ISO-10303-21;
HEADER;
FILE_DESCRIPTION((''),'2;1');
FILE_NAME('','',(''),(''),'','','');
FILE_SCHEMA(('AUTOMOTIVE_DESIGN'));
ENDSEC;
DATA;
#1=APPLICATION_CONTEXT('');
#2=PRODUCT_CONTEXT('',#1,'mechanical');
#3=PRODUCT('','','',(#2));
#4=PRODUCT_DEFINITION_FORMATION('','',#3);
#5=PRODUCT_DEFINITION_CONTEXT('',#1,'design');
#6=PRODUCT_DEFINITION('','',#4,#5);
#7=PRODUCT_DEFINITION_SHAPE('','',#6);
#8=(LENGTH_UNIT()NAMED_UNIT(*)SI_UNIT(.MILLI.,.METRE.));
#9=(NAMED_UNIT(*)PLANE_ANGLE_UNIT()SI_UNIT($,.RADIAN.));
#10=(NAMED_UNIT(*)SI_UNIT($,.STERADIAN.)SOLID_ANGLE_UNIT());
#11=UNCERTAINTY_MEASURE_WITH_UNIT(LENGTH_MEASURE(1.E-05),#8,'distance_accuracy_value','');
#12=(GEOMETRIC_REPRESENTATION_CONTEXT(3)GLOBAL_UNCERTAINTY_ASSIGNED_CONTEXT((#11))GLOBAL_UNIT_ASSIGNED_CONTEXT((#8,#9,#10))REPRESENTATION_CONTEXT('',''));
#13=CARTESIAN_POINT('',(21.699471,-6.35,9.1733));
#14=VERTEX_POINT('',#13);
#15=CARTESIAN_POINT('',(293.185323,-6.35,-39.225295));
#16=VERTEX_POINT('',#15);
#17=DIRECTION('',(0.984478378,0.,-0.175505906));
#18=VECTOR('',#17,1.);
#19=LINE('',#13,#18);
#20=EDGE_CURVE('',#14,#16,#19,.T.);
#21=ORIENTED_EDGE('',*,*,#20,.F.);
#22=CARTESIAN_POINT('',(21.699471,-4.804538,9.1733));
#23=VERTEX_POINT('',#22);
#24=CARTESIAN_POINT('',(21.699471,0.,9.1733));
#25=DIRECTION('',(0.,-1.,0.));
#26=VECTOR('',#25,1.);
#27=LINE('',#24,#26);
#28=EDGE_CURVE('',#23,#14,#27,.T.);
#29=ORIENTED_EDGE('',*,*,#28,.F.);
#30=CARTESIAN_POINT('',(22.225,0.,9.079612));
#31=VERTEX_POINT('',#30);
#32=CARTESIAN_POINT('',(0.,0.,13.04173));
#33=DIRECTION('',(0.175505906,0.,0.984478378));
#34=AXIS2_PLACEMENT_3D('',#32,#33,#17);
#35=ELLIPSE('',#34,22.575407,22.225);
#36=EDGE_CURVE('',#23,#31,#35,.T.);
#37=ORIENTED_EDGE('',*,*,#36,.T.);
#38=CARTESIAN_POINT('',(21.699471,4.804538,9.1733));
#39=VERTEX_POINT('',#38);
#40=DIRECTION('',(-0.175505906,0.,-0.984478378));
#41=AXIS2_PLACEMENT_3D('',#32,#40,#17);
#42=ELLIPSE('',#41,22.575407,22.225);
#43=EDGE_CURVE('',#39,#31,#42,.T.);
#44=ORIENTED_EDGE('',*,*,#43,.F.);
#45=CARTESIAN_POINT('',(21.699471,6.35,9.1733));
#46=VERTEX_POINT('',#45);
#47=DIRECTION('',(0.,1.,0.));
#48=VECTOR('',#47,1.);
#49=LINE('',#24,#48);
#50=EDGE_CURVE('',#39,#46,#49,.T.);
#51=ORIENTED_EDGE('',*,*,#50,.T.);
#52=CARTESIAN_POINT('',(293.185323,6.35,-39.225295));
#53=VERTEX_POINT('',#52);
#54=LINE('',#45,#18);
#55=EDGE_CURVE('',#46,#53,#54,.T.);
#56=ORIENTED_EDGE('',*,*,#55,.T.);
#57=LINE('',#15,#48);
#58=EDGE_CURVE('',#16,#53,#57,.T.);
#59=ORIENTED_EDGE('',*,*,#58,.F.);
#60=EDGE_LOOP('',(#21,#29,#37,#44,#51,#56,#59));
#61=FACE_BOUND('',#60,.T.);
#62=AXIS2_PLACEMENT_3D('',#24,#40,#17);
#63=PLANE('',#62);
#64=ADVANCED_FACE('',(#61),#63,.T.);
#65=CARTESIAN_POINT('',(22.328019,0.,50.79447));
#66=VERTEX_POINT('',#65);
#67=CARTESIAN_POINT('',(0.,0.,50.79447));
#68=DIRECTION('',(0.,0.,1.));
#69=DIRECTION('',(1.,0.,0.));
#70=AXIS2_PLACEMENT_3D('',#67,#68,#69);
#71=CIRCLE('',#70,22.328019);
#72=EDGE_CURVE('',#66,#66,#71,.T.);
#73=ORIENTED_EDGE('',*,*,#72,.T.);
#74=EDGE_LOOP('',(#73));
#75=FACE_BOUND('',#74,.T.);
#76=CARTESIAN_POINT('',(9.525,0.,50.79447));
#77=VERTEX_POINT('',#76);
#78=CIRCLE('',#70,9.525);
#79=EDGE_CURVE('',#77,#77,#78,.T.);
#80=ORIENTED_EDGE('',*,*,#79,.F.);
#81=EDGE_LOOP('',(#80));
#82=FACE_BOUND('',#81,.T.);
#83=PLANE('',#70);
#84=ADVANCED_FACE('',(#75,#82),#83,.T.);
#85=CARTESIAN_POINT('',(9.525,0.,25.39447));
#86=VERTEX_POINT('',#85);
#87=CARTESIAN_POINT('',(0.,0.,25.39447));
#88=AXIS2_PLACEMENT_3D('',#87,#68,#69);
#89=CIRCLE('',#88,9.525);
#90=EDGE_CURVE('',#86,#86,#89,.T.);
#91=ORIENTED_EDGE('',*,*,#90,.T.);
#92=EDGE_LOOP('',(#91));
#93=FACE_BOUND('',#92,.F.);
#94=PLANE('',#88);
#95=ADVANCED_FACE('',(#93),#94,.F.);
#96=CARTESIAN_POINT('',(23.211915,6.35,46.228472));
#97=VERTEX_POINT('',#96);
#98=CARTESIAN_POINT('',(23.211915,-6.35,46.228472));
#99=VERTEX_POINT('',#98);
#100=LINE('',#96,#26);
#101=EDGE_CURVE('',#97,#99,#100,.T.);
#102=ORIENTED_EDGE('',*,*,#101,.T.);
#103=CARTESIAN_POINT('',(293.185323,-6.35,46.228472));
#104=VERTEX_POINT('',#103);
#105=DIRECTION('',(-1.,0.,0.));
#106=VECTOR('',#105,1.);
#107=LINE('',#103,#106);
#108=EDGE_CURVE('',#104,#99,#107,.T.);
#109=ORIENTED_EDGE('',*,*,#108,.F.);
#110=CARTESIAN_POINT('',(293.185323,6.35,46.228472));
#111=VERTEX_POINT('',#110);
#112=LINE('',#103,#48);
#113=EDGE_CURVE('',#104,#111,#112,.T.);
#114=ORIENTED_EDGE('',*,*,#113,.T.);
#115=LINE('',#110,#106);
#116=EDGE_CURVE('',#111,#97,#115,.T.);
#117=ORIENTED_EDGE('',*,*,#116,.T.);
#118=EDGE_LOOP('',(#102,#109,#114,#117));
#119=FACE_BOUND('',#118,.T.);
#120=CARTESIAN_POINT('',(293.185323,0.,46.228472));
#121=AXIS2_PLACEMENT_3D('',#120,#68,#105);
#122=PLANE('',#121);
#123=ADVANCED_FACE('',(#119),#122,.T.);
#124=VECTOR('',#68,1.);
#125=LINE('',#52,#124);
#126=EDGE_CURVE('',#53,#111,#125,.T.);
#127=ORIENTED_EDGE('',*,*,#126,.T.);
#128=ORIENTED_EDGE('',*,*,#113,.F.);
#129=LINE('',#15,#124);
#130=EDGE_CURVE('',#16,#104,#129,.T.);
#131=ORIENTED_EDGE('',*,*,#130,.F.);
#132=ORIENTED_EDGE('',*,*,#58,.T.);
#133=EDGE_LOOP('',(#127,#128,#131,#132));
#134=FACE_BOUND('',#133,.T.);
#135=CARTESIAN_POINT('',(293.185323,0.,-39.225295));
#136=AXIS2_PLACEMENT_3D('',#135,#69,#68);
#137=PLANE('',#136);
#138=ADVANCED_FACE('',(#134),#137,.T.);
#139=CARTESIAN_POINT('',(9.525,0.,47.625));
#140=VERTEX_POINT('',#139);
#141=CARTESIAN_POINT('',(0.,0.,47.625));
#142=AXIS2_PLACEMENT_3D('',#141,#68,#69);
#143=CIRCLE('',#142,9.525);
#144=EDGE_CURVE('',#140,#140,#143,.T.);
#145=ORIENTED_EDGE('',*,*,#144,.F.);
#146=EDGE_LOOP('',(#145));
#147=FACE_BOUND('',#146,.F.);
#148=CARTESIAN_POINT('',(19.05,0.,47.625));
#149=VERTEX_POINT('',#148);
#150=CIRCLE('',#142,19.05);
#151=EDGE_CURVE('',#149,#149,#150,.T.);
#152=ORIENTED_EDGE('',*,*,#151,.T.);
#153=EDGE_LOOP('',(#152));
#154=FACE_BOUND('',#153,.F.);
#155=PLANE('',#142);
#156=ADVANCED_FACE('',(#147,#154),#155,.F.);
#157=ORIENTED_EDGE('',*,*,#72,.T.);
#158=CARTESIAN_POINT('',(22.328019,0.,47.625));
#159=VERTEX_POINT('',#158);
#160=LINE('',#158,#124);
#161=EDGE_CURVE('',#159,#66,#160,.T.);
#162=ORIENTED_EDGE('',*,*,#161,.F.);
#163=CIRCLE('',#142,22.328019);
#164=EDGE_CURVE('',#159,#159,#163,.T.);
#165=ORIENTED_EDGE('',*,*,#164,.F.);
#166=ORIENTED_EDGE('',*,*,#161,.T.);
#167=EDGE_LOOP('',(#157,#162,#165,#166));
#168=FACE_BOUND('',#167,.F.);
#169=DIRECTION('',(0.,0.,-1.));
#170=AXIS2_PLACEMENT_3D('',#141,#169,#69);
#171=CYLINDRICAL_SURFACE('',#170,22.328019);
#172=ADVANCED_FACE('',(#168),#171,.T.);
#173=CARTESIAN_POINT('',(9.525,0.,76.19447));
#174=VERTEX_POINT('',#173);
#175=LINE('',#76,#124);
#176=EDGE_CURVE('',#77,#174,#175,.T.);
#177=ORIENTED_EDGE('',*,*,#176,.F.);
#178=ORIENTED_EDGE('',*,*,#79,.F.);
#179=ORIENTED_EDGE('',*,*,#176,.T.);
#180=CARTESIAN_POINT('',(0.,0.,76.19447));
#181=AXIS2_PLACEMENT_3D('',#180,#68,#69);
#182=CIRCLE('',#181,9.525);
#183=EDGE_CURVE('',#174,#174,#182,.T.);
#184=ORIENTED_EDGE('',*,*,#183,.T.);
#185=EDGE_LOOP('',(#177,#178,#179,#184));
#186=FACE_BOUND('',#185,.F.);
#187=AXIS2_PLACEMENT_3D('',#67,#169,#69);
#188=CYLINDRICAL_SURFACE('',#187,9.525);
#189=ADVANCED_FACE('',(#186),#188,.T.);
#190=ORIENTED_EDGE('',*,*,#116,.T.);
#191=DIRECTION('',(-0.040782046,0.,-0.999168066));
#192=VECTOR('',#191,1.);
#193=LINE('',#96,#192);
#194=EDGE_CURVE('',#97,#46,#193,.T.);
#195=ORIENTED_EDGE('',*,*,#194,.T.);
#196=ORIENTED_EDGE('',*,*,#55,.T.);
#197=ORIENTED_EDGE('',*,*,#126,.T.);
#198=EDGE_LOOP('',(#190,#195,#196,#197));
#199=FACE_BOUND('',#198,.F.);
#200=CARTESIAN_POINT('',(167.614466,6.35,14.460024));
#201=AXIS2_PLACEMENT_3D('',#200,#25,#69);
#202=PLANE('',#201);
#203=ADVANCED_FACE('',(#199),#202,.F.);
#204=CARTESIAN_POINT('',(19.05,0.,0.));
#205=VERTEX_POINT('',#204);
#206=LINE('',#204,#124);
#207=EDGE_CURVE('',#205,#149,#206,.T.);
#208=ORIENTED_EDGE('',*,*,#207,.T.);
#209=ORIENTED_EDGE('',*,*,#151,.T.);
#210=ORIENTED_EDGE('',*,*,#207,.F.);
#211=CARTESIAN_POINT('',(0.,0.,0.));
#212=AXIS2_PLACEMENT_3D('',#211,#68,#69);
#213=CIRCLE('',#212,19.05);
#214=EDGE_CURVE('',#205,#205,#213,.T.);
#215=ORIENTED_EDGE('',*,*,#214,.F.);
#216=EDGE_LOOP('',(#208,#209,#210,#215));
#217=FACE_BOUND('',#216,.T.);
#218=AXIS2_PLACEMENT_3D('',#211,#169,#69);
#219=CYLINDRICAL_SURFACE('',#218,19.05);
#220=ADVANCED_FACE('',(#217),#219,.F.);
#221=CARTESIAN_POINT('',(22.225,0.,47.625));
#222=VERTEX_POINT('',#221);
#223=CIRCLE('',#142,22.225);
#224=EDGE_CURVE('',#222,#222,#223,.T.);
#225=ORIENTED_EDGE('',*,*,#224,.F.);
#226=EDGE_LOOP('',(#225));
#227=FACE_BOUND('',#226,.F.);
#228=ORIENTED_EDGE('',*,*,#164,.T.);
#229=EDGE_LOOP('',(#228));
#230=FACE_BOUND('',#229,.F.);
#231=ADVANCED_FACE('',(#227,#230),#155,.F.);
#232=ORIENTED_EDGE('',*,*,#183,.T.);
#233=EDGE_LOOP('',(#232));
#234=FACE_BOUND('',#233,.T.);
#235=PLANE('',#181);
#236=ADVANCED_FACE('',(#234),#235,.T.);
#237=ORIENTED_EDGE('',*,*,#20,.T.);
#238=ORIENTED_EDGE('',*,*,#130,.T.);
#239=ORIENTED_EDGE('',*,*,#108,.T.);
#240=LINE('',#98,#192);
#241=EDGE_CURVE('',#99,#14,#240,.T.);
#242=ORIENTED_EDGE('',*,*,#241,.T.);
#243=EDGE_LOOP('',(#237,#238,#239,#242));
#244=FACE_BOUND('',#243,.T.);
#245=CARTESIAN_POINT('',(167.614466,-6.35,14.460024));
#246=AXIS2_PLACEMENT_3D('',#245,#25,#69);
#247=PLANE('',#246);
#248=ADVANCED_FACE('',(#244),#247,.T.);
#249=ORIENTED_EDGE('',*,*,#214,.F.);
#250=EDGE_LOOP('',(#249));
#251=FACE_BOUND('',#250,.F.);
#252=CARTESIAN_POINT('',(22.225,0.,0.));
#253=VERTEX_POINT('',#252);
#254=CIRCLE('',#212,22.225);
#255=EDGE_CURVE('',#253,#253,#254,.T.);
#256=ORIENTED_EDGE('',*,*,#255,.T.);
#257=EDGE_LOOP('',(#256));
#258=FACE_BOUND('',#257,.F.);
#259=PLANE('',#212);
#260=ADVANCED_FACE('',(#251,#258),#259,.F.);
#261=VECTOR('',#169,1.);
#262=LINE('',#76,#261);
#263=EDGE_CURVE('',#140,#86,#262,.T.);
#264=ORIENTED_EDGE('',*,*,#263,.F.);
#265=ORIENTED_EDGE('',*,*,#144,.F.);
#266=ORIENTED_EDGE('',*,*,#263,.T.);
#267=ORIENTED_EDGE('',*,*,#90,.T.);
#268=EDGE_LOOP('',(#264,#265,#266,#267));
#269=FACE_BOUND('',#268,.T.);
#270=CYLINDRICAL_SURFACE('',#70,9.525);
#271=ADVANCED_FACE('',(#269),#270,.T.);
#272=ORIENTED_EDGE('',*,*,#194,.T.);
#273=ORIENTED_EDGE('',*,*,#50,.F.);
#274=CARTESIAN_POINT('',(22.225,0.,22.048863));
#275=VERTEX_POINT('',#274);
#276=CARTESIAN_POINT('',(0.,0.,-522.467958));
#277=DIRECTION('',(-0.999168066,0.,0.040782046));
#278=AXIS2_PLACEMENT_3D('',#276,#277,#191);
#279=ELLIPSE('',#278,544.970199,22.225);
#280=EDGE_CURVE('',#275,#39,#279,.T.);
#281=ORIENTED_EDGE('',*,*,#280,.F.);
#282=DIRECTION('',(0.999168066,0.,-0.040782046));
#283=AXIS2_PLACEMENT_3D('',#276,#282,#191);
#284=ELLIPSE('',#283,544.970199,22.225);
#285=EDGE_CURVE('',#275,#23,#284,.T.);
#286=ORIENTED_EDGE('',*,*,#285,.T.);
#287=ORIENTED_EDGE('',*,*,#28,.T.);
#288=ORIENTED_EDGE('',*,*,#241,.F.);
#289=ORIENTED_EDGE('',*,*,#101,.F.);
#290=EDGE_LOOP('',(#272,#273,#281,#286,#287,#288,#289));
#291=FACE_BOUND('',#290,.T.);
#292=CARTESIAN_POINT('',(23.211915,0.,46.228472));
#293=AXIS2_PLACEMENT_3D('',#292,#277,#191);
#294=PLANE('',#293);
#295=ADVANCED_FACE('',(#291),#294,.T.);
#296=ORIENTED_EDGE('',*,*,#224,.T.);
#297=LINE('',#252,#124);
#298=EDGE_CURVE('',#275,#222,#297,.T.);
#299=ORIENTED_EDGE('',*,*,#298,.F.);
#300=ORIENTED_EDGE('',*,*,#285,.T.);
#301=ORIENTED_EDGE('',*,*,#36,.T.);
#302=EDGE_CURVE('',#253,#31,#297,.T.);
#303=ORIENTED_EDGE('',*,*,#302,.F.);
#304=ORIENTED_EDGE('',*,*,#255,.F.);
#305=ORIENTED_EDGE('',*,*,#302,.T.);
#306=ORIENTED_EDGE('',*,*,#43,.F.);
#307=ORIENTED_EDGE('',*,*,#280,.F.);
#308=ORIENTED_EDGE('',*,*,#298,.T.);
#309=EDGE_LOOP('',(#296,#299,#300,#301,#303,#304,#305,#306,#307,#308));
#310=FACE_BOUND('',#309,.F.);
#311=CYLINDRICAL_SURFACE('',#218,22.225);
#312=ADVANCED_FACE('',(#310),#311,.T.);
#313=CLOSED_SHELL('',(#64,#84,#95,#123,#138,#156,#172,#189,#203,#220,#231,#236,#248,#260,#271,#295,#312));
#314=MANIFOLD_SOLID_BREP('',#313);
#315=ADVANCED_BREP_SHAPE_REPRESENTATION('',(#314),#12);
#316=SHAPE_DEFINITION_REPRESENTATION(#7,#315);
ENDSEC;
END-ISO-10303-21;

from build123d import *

# Parameters (mm, degrees)
F0_R          = 22.225
F0_R_2        = 19.05
F1_DEPTH      = 47.625
F2_R          = 22.328019
F3_DEPTH      = 3.16947
F4_R          = 9.525
F5_DEPTH      = 25.4
F5_DEPTH_BACK = 25.4
F7_DEPTH      = 6.35
F7_DEPTH_BACK = 6.35


with BuildPart() as f1:
    # F0 (on Top) → F1 (new body)
    with BuildSketch(Plane.XY):
        Circle(F0_R)
        Circle(F0_R_2, mode=Mode.SUBTRACT)
    extrude(amount=F1_DEPTH)

    # F2 (on face) → F3 (join)
    with BuildSketch(Plane.XY.offset(47.625)):
        Circle(F2_R)
    extrude(amount=F3_DEPTH)

    # F4 (on face) → F5 (join, two sides)
    with BuildSketch(Plane.XY.offset(50.79447)) as f5_sk:
        Circle(F4_R)
    extrude(amount=F5_DEPTH)
    extrude(f5_sk.sketch, amount=-F5_DEPTH_BACK)

    # F6 (on Front) → F7 (join, two sides)
    with BuildSketch(Plane.XZ) as f7_sk:
        Polygon((293.185323, 46.228472), (23.211915, 46.228472), (21.699471, 9.1733), (293.185323, -39.225295), align=None)
    extrude(amount=F7_DEPTH)
    extrude(f7_sk.sketch, amount=-F7_DEPTH_BACK)


solid = f1.part
